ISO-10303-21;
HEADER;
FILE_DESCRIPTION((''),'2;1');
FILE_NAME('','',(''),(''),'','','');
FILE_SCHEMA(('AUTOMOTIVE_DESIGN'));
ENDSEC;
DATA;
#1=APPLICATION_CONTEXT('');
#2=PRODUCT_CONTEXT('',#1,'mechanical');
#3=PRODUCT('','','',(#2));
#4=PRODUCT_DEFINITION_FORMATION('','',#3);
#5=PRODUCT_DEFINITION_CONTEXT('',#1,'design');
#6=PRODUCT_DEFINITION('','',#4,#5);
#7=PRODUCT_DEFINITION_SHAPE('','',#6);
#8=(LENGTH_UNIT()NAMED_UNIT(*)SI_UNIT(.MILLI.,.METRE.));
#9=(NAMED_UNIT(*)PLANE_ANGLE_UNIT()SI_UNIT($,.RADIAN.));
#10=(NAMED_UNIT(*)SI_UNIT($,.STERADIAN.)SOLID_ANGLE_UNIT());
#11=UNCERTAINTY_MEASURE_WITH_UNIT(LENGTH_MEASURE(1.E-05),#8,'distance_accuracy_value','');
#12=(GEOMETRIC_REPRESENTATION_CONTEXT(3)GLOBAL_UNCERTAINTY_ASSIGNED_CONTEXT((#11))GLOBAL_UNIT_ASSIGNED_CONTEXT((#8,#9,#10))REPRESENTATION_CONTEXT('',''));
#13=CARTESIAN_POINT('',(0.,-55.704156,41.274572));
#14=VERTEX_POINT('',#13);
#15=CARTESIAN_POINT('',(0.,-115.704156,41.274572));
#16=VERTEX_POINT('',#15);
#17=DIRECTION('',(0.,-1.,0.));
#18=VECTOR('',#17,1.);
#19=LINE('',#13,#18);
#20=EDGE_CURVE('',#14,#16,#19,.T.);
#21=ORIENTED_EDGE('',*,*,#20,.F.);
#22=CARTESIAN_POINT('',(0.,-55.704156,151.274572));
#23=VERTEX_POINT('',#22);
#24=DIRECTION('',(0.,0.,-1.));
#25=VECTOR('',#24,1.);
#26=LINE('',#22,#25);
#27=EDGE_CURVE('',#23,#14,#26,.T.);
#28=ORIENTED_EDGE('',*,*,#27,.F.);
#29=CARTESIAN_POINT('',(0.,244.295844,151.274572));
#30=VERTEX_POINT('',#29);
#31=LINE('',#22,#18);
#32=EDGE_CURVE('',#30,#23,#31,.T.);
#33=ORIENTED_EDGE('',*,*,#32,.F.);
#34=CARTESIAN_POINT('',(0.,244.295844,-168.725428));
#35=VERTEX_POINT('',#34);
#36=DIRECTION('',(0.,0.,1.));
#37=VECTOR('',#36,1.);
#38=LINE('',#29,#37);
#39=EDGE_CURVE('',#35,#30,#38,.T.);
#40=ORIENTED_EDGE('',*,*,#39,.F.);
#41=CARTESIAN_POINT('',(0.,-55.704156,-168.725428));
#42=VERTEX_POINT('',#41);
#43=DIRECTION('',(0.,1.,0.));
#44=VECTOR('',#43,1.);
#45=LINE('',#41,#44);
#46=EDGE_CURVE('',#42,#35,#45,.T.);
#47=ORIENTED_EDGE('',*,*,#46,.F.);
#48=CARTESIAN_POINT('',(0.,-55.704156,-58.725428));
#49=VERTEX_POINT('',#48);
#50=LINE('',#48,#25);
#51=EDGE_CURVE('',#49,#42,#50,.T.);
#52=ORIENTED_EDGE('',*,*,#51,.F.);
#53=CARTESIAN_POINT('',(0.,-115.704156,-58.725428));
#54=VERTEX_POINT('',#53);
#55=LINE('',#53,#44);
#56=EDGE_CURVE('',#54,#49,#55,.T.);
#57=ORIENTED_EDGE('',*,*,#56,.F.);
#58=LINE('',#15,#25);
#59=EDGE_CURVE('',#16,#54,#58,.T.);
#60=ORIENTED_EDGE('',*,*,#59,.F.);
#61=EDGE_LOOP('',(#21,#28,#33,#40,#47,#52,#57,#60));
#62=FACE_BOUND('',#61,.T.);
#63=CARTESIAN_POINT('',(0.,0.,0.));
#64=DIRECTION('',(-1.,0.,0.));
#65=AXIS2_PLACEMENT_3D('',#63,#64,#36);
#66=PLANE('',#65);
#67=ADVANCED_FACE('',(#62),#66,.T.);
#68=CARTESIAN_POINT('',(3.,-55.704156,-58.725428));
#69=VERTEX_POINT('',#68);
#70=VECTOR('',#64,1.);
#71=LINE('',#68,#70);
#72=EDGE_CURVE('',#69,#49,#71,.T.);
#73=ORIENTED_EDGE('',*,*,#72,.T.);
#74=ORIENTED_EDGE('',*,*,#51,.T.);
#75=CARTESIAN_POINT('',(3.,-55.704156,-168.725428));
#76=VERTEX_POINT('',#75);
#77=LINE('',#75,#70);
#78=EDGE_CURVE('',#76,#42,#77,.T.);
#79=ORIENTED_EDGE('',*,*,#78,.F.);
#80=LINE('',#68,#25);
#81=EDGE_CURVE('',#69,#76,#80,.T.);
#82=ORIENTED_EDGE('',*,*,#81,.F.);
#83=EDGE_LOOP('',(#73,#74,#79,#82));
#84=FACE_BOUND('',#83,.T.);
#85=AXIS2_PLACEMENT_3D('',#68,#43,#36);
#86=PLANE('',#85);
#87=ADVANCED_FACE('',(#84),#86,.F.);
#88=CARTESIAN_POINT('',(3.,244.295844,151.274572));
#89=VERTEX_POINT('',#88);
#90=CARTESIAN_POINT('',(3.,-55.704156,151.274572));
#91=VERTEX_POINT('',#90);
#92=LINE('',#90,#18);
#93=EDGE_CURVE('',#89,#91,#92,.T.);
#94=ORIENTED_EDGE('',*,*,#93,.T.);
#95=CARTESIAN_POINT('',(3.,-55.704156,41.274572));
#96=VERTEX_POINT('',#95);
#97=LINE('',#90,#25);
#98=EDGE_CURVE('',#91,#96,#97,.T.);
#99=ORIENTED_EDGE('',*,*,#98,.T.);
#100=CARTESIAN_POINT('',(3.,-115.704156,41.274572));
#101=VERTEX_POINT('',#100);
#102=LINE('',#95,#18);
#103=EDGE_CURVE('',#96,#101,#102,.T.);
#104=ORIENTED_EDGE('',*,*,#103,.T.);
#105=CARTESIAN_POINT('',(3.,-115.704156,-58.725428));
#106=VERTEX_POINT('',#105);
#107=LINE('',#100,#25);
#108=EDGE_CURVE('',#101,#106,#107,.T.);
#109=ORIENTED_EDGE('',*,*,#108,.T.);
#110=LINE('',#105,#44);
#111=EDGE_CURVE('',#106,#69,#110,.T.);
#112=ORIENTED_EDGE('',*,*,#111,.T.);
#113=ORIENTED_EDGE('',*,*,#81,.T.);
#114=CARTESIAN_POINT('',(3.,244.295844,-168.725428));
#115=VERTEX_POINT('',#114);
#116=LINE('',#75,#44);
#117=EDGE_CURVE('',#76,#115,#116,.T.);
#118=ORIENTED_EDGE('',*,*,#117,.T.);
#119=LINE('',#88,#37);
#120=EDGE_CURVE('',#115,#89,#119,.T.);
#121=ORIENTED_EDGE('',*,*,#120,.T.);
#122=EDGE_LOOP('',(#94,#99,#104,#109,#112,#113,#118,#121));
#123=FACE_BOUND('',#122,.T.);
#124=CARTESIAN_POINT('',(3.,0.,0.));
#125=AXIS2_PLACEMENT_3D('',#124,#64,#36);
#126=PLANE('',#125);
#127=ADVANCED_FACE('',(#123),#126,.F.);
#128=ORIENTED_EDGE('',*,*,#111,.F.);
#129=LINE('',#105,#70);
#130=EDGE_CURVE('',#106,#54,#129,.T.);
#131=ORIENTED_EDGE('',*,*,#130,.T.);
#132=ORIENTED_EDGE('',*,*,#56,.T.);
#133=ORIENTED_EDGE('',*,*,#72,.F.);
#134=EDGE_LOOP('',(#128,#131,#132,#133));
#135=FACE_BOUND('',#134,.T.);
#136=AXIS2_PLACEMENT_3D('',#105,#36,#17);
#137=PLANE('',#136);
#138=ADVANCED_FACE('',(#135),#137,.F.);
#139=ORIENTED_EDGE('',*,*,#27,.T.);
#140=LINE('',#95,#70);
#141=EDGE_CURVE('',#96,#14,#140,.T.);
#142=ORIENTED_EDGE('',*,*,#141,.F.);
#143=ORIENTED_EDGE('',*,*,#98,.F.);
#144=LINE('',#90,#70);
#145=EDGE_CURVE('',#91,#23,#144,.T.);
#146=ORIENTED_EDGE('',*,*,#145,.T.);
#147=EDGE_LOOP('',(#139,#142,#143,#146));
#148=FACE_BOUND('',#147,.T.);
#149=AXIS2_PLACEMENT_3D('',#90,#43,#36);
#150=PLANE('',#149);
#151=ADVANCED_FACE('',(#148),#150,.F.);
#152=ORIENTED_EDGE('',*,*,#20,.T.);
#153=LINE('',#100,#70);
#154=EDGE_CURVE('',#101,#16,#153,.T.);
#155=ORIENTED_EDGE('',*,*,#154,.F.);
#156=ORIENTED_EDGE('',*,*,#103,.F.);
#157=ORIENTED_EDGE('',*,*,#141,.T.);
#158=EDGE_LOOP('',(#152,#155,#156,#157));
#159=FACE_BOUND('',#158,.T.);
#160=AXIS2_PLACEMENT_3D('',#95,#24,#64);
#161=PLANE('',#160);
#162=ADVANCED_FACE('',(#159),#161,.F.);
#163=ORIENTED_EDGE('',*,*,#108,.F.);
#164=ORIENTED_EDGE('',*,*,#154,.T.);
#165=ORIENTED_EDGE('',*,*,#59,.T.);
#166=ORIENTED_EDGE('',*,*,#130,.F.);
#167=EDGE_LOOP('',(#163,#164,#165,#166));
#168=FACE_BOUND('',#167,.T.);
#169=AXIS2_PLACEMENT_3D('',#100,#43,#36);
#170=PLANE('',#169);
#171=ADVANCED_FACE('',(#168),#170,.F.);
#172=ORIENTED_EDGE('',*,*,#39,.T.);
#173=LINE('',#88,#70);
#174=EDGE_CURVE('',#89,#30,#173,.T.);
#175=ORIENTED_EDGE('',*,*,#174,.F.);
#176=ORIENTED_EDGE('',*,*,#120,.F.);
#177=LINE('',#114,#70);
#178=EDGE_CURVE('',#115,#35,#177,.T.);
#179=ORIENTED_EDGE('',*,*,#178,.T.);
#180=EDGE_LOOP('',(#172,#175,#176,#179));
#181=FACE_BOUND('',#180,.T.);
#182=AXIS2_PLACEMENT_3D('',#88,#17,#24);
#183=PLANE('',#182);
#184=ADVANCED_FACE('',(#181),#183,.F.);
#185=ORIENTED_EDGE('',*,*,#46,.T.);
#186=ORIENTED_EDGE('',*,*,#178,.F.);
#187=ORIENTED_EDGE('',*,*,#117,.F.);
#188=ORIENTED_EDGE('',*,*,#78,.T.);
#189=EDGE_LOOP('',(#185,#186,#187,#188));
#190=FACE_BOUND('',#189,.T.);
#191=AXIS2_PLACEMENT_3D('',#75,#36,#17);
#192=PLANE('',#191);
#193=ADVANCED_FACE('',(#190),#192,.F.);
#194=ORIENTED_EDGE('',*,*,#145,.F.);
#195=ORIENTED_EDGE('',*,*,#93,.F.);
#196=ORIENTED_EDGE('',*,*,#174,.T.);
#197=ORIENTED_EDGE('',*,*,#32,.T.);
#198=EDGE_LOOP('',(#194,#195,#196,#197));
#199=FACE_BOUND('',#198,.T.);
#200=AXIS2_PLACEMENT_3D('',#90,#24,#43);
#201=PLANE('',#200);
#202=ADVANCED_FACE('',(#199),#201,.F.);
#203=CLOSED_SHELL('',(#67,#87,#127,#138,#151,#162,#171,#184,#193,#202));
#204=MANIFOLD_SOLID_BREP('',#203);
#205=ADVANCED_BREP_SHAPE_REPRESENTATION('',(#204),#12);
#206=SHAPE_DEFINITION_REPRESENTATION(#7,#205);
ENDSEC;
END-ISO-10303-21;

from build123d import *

# Parameters (mm, degrees)
BOSS_EXTRUDE1_DEPTH = 3


with BuildPart() as part:
    # Sketch1 → Boss-Extrude1 (new body)
    with BuildSketch(Plane(origin=(0, 0, 0), x_dir=(0, 0, -1), z_dir=(1, 0, 0))):
        Polygon((-151.274571576, -55.704155978), (-41.274571576, -55.704155978), (-41.274571576, -115.704155978), (58.725428424, -115.704155978), (58.725428424, -55.704155978), (168.725428424, -55.704155978), (168.725428424, 244.295844022), (-151.274571576, 244.295844022), align=None)
    extrude(amount=BOSS_EXTRUDE1_DEPTH)


solid = part.part
